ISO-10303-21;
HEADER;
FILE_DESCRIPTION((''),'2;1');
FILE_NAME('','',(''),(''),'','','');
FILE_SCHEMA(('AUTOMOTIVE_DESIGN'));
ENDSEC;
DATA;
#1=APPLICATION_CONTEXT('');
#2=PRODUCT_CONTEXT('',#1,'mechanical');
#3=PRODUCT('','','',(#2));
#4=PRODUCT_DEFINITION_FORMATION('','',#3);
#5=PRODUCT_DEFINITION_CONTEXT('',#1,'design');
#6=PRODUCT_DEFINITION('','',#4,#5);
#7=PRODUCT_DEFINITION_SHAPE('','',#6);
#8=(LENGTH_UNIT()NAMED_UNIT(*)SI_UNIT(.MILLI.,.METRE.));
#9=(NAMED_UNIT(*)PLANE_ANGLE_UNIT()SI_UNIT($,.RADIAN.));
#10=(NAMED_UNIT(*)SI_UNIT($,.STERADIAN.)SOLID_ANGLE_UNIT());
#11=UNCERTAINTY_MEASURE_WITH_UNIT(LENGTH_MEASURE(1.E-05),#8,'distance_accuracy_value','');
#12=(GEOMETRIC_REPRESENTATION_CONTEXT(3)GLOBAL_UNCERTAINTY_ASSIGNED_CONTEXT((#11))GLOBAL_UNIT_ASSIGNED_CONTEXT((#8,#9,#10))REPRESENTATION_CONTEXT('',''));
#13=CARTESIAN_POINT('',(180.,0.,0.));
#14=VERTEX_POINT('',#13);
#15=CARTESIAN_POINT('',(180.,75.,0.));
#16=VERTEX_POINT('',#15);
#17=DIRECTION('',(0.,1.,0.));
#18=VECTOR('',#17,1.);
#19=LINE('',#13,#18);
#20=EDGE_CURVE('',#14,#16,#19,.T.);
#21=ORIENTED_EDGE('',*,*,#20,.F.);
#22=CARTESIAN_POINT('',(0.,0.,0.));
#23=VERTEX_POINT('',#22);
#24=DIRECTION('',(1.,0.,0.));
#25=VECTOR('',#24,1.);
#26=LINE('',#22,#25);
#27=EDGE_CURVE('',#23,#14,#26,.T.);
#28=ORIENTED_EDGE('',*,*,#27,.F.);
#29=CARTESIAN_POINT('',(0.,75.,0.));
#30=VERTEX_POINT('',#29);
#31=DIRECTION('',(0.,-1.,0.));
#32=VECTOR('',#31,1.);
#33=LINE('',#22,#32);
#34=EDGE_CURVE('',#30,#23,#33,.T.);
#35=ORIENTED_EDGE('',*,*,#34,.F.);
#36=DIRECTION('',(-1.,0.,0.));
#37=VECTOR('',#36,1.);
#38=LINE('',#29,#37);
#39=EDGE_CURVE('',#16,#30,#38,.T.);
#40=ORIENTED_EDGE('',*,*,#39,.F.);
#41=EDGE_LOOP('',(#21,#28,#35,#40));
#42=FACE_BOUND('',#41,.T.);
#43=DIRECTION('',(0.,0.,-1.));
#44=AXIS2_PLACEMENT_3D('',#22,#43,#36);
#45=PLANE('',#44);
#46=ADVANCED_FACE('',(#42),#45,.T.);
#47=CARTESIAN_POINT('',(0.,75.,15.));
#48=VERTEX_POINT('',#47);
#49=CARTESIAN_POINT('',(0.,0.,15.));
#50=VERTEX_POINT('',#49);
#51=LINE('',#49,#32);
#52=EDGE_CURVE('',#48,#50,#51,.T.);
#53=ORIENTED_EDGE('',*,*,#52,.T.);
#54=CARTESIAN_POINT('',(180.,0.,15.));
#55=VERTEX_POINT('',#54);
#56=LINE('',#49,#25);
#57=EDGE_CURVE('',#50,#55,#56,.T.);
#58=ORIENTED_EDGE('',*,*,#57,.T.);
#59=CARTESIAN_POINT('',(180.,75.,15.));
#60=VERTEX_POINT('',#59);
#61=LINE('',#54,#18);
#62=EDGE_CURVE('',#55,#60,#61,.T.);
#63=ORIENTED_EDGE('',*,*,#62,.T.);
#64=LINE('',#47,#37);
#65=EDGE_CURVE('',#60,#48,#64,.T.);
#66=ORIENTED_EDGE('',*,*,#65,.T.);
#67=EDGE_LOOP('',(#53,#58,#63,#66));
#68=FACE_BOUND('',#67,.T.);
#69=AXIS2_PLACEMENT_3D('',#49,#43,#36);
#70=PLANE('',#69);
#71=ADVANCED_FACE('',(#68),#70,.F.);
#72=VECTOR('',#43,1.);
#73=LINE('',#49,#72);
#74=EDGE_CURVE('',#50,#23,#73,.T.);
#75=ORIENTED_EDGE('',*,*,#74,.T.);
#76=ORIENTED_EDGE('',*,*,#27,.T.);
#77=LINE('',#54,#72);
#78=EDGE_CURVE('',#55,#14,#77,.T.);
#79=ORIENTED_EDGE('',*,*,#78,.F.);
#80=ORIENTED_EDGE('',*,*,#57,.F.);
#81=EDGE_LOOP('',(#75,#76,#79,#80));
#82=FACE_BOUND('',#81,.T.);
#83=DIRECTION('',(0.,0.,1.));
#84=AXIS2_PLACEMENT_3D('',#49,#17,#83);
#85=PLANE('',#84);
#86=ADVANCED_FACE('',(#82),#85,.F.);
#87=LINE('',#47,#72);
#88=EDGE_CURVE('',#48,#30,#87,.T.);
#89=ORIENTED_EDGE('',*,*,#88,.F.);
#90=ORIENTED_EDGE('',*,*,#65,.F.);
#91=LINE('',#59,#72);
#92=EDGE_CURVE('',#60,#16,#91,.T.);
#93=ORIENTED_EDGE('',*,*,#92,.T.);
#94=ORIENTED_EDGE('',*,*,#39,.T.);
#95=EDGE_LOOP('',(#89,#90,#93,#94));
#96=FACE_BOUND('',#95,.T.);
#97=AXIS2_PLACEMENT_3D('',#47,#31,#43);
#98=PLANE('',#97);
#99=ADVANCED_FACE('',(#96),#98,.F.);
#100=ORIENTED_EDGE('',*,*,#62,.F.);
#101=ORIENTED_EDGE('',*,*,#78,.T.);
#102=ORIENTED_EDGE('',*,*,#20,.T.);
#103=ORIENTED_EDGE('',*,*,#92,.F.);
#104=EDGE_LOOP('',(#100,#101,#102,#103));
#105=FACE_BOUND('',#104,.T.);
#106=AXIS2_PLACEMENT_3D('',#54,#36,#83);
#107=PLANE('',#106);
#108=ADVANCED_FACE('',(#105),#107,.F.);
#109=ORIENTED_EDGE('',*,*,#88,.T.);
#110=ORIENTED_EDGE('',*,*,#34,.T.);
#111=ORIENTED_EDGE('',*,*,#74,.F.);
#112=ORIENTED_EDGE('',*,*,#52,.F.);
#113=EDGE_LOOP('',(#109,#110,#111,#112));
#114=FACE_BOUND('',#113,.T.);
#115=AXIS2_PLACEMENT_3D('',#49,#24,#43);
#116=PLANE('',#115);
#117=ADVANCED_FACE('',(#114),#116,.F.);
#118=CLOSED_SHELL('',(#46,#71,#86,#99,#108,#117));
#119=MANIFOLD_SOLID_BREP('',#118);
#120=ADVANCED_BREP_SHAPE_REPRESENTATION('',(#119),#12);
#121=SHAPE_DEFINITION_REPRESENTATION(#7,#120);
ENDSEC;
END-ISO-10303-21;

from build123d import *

# Parameters (mm, degrees)
SKETCH1_W           = 18
SKETCH1_H           = 7.5
BOSS_EXTRUDE1_DEPTH = 1.5
SCALE1_SCALE        = 10


with BuildPart() as part:
    # Sketch1 → Boss-Extrude1 (new body)
    with BuildSketch(Plane.XY):
        with Locations((9, 3.75)):
            Rectangle(SKETCH1_W, SKETCH1_H)
    extrude(amount=BOSS_EXTRUDE1_DEPTH)


with BuildPart() as part_1:
    # Scale1: scaled about (0, 0, 0)
    add(part.part.scale(SCALE1_SCALE))


solid = part_1.part
